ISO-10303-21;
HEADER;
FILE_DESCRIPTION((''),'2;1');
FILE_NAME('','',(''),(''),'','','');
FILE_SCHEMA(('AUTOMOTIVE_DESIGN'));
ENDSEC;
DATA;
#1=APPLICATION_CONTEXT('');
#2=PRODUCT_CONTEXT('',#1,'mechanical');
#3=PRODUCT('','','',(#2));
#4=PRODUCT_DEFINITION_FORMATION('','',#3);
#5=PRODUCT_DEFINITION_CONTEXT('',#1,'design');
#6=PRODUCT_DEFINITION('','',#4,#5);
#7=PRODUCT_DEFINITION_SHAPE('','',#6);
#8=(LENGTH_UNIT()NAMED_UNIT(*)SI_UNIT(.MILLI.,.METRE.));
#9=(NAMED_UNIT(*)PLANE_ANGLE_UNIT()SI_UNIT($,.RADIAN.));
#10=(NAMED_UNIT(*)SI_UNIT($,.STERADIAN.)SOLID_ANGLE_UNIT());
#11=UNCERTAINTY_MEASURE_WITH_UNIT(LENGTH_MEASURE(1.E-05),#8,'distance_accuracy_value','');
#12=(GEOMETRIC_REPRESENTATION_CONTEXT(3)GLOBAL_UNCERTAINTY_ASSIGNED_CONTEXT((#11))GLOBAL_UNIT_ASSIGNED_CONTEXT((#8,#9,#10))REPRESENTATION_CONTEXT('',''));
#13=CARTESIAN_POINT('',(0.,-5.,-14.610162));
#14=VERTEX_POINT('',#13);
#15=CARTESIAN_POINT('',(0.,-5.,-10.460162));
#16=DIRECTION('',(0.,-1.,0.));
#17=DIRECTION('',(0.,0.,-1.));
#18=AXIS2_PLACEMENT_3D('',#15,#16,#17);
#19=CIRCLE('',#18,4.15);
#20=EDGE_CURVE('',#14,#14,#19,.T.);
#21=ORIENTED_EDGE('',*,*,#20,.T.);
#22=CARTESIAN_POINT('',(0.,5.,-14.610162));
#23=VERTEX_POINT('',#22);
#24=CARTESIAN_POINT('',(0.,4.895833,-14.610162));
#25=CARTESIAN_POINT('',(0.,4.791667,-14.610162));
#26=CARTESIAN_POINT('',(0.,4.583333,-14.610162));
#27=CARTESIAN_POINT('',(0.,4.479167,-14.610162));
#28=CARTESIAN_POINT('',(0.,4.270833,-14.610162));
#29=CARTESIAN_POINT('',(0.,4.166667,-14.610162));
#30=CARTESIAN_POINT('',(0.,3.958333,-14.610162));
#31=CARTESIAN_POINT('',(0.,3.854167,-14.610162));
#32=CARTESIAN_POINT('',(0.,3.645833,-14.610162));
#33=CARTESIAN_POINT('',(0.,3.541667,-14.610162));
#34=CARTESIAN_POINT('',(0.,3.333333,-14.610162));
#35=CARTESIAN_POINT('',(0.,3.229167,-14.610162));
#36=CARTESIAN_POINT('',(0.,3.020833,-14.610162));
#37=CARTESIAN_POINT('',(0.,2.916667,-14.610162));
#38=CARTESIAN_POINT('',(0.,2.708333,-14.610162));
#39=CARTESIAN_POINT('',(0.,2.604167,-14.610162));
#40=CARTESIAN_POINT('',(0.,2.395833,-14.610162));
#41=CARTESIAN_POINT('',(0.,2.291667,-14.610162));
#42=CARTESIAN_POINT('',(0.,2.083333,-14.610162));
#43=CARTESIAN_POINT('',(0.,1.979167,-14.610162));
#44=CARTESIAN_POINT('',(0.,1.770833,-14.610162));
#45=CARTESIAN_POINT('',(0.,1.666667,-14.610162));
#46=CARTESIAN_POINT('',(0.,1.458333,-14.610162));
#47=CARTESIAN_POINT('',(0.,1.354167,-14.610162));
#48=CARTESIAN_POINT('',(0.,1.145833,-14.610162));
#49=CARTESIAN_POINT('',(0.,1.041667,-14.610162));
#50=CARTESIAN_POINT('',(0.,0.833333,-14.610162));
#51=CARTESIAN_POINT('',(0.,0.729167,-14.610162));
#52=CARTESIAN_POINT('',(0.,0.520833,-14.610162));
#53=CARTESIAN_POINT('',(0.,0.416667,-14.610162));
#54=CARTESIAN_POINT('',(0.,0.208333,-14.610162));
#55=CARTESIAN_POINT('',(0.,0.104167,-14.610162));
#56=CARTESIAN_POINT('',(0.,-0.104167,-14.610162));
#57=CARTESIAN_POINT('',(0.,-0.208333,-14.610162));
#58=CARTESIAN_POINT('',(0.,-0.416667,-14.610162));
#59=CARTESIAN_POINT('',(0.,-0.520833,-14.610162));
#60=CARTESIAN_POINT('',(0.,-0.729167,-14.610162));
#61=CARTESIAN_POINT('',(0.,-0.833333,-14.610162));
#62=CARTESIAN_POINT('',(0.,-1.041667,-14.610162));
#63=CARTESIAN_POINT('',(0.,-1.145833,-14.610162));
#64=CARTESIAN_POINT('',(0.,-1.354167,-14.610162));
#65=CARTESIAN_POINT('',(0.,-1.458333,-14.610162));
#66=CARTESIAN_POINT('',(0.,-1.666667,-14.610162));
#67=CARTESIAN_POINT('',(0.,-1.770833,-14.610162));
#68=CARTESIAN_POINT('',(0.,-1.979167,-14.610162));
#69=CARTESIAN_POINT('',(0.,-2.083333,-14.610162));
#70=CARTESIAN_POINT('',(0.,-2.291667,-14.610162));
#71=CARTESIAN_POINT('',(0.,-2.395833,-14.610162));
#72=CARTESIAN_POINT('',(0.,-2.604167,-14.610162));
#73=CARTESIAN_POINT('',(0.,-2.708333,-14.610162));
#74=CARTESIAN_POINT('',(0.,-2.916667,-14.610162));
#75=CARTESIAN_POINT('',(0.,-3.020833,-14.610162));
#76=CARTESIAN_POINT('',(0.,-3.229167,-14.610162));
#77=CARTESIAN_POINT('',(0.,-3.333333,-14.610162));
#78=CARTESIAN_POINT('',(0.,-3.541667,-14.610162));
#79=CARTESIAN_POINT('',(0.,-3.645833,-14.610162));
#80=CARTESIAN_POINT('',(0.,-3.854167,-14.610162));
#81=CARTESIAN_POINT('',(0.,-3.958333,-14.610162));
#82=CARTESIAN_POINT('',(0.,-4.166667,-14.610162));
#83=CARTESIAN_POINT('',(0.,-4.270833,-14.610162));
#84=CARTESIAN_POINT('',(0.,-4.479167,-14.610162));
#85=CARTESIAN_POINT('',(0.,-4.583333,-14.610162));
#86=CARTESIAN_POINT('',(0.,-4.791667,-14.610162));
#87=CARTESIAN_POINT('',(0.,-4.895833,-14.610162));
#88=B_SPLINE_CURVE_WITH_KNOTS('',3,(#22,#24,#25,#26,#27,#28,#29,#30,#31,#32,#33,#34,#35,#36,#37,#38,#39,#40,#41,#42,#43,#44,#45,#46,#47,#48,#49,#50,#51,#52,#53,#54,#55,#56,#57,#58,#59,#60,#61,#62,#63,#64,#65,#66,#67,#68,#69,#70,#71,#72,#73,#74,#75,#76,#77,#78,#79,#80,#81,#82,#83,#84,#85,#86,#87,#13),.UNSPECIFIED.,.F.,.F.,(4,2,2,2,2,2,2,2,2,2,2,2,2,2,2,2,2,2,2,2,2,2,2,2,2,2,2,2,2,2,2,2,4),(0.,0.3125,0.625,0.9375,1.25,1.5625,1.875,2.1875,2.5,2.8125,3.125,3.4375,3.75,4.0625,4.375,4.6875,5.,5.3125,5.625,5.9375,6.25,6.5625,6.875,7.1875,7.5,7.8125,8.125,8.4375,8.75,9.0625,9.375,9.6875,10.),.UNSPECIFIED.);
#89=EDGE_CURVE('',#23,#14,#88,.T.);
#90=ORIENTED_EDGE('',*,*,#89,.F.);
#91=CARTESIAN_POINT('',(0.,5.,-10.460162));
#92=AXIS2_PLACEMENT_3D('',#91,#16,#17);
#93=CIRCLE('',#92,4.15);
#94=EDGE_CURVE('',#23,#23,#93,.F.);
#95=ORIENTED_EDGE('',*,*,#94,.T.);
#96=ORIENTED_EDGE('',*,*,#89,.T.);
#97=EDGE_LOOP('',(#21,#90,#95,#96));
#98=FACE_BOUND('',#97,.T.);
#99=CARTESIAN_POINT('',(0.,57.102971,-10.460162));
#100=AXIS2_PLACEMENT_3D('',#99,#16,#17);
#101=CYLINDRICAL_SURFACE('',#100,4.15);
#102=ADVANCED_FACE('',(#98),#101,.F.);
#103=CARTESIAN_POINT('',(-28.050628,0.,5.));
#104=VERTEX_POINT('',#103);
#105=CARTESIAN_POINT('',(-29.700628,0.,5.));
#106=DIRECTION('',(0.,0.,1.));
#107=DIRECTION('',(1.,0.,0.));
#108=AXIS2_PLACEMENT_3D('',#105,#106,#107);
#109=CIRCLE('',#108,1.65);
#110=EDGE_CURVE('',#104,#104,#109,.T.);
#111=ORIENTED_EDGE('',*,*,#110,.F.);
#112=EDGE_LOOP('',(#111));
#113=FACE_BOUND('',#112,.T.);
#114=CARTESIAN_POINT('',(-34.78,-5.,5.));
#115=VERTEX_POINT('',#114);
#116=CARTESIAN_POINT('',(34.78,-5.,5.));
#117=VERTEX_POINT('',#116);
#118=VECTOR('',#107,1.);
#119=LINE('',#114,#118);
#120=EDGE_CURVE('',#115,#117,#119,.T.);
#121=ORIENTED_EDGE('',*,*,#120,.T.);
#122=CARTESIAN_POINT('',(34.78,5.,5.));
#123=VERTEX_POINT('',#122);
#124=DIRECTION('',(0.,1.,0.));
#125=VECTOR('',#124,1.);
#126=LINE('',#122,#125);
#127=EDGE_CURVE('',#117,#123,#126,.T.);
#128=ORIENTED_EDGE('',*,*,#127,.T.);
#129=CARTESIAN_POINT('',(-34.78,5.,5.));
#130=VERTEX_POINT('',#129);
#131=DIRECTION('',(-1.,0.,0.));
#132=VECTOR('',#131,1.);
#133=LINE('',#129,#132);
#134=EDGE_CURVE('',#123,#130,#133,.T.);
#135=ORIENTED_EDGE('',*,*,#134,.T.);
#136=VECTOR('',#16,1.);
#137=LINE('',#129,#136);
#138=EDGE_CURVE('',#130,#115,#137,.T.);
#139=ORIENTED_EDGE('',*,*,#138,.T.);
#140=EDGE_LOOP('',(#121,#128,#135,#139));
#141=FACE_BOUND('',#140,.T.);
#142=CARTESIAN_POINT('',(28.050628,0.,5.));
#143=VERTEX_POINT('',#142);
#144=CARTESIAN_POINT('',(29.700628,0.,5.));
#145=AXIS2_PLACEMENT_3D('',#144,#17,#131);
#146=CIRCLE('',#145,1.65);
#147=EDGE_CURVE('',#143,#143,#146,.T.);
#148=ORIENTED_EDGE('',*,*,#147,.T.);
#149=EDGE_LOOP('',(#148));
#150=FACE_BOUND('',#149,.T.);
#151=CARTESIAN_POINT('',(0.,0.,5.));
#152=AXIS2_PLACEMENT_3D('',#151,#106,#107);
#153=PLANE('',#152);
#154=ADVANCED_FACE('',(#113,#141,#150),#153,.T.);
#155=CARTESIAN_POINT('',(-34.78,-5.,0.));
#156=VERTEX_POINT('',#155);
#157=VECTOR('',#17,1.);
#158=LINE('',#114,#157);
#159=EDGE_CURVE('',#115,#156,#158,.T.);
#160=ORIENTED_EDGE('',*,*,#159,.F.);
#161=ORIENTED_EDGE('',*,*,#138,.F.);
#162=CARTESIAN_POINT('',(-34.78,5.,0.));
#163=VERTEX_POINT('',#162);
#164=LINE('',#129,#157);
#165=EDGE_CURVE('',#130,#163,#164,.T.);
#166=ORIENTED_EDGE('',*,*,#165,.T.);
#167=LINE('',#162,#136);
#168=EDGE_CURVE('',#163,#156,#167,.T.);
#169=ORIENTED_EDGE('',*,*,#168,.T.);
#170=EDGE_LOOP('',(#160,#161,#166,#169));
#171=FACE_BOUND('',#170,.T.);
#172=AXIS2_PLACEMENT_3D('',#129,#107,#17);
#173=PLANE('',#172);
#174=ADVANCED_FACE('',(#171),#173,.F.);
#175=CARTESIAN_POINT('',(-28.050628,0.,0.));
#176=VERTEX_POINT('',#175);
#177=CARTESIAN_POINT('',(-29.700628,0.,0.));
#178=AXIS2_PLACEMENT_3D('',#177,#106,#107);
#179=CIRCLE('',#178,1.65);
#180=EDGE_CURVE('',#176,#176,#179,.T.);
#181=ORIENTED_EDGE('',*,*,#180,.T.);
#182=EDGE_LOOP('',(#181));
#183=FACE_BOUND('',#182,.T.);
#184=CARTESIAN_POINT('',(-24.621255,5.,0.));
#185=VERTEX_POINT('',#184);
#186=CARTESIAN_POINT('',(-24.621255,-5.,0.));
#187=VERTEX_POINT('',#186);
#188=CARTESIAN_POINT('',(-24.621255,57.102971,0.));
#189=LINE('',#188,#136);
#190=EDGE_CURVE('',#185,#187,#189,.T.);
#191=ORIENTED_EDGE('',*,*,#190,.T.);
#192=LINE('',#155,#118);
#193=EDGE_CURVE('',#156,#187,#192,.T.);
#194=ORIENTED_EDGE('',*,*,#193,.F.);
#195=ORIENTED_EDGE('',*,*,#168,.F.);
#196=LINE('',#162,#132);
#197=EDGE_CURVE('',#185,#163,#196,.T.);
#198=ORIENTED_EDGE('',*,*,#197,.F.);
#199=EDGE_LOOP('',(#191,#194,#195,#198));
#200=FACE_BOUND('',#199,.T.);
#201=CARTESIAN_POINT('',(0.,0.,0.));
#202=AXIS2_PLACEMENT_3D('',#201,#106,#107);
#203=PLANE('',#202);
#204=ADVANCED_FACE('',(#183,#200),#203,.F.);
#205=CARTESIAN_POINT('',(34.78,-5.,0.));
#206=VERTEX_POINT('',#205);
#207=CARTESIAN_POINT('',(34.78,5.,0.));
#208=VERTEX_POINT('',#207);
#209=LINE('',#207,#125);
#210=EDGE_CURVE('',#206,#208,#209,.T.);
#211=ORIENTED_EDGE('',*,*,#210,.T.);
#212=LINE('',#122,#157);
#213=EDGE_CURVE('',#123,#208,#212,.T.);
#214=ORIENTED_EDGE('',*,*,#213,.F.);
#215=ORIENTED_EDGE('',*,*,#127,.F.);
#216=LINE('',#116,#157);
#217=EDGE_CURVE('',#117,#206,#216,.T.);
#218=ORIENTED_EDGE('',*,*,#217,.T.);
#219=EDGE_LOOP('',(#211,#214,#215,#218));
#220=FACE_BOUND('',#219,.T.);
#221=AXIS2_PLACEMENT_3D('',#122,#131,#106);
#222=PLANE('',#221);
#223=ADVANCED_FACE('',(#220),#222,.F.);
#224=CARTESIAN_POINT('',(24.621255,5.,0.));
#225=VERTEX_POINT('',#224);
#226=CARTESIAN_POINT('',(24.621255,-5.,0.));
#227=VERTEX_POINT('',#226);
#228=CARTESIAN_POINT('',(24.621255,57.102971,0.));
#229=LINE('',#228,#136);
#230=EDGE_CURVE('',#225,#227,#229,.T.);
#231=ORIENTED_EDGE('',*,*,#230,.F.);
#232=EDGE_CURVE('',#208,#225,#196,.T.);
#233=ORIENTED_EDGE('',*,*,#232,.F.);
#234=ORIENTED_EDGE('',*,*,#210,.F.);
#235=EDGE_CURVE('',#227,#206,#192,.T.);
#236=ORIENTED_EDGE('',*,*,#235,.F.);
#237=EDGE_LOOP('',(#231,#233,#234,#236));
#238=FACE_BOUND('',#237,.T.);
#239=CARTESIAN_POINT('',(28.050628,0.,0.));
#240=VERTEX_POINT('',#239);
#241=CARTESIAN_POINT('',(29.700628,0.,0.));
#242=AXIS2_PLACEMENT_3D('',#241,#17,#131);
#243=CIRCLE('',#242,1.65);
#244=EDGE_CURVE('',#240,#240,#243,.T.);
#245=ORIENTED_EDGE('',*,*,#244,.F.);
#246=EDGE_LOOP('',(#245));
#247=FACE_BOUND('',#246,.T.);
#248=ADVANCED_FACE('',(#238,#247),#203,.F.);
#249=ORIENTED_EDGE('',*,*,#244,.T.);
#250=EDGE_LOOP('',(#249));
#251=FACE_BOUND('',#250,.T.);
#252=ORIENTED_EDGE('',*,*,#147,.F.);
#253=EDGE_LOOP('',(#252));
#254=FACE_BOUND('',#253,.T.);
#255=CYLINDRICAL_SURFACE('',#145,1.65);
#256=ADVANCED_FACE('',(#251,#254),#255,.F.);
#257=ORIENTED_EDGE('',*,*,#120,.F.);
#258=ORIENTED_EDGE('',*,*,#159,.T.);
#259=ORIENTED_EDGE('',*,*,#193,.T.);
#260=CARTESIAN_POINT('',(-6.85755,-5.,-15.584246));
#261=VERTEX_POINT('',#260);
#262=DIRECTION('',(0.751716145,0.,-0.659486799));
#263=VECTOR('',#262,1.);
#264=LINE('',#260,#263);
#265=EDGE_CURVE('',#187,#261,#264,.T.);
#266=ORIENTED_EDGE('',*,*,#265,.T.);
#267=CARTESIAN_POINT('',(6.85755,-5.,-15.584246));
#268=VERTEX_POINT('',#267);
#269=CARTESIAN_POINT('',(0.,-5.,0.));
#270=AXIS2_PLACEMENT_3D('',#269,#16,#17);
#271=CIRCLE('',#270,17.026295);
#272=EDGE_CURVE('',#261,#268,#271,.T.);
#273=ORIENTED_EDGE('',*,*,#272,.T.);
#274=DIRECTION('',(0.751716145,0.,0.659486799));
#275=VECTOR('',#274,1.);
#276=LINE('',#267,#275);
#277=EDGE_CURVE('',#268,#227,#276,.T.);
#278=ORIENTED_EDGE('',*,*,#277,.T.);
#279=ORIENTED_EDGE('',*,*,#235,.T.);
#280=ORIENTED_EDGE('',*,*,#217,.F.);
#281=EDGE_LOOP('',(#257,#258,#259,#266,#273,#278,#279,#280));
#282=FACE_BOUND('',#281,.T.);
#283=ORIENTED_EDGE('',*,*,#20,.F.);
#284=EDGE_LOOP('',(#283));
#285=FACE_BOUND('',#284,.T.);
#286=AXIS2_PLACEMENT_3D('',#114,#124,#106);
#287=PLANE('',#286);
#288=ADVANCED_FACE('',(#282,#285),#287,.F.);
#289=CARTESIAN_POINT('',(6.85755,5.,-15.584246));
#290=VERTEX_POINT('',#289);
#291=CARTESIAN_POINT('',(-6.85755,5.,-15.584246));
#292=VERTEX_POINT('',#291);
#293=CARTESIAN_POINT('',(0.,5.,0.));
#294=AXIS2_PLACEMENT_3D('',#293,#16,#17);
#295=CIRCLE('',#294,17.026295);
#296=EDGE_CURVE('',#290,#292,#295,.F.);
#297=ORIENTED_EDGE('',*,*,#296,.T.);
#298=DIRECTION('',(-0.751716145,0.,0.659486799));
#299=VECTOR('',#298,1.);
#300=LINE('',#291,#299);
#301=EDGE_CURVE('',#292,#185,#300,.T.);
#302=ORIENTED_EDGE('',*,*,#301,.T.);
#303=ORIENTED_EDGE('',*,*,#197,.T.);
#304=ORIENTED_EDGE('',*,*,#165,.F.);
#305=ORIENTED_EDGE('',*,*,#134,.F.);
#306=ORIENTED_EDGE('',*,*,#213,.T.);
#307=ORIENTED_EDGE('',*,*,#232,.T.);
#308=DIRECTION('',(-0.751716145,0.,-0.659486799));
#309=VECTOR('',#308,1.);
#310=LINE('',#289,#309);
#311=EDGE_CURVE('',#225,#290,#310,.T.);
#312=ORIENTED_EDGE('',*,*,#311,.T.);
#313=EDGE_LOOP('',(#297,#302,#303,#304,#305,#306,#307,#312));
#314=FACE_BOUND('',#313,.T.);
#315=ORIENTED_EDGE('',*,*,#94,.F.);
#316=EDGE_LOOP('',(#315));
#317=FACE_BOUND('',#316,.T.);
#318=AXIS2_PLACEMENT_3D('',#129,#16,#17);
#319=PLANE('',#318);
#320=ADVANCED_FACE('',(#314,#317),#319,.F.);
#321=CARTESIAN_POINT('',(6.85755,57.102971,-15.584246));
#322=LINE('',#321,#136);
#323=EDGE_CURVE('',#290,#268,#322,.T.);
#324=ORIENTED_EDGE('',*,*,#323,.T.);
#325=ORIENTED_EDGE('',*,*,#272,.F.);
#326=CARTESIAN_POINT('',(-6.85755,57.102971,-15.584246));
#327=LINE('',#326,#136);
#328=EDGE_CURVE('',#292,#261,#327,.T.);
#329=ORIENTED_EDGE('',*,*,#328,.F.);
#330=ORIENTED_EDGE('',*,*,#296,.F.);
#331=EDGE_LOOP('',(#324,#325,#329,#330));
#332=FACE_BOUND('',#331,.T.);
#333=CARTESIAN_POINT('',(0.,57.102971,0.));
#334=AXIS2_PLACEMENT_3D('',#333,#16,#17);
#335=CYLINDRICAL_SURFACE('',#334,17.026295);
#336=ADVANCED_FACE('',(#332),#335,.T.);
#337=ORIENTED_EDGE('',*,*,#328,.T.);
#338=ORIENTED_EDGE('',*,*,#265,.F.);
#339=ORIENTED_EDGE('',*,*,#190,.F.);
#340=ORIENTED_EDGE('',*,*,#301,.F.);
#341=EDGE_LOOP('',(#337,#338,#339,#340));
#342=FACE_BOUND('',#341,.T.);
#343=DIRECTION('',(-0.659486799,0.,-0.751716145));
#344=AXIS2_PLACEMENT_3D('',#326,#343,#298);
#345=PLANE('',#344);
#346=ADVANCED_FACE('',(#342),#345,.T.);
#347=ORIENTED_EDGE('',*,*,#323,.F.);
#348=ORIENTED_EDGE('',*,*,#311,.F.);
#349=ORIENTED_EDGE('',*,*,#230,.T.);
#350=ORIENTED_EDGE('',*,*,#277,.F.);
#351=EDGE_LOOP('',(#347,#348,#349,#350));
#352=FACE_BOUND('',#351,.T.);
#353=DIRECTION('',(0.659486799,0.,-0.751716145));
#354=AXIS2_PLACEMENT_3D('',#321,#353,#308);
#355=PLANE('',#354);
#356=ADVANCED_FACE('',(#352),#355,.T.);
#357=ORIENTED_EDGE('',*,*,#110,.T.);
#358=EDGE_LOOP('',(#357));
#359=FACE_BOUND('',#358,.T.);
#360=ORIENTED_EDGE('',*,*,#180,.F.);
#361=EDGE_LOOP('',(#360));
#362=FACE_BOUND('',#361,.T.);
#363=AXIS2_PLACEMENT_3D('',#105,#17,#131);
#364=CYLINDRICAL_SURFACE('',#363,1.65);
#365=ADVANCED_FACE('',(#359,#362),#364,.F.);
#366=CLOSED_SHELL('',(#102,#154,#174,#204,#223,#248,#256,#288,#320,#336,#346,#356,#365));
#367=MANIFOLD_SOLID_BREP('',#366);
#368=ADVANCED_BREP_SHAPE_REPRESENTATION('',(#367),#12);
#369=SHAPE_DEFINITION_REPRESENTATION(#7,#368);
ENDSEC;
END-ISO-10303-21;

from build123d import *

# Parameters (mm, degrees)
SCHIZZO1_W                   = 69.56
SCHIZZO1_H                   = 10
ESTRUSIONE_ESTRUSIONE1_DEPTH = 5
SCHIZZO2_R                   = 4.15
ESTRUSIONE_ESTRUSIONE2_DEPTH = 10
SCHIZZO3_R                   = 1.65
TAGLIO_ESTRUSIONE1_DEPTH     = 5


with BuildPart() as part:
    # Schizzo1 → Estrusione-Estrusione1 (new body)
    with BuildSketch(Plane.XY):
        Rectangle(SCHIZZO1_W, SCHIZZO1_H)
    extrude(amount=ESTRUSIONE_ESTRUSIONE1_DEPTH)

    # Schizzo2 → Estrusione-Estrusione2 (add)
    with BuildSketch(Plane.XZ.offset(5)):
        with BuildLine():
            Line((24.621255453, 0), (-24.621255453, 0))
            Line((-24.621255453, 0), (-6.857549921, -15.584245975))
            ThreePointArc((-6.857549921, -15.584245975), (0, -17.026294768), (6.857549921, -15.584245975))
            Line((6.857549921, -15.584245975), (24.621255453, 0))
        make_face()
        with Locations(Location((0, -10.460161878, 0), (0, 0, 270))):
            Circle(SCHIZZO2_R, mode=Mode.SUBTRACT)
    extrude(amount=-ESTRUSIONE_ESTRUSIONE2_DEPTH)

    # Schizzo3 → Taglio-Estrusione1 (cut)
    with BuildSketch(Plane(origin=(0, 0, 0), x_dir=(-1, 0, 0), z_dir=(0, 0, -1))):
        with Locations((-29.700627727, 0)):
            Circle(SCHIZZO3_R)
    taglio_estrusione1 = extrude(amount=-TAGLIO_ESTRUSIONE1_DEPTH, mode=Mode.SUBTRACT)

    # Specchia1: Taglio-Estrusione1 across plane
    add(taglio_estrusione1.mirror(Plane(origin=(0, 0, 0), x_dir=(0, 0, 1), z_dir=(1, 0, 0))), mode=Mode.SUBTRACT)


solid = part.part
